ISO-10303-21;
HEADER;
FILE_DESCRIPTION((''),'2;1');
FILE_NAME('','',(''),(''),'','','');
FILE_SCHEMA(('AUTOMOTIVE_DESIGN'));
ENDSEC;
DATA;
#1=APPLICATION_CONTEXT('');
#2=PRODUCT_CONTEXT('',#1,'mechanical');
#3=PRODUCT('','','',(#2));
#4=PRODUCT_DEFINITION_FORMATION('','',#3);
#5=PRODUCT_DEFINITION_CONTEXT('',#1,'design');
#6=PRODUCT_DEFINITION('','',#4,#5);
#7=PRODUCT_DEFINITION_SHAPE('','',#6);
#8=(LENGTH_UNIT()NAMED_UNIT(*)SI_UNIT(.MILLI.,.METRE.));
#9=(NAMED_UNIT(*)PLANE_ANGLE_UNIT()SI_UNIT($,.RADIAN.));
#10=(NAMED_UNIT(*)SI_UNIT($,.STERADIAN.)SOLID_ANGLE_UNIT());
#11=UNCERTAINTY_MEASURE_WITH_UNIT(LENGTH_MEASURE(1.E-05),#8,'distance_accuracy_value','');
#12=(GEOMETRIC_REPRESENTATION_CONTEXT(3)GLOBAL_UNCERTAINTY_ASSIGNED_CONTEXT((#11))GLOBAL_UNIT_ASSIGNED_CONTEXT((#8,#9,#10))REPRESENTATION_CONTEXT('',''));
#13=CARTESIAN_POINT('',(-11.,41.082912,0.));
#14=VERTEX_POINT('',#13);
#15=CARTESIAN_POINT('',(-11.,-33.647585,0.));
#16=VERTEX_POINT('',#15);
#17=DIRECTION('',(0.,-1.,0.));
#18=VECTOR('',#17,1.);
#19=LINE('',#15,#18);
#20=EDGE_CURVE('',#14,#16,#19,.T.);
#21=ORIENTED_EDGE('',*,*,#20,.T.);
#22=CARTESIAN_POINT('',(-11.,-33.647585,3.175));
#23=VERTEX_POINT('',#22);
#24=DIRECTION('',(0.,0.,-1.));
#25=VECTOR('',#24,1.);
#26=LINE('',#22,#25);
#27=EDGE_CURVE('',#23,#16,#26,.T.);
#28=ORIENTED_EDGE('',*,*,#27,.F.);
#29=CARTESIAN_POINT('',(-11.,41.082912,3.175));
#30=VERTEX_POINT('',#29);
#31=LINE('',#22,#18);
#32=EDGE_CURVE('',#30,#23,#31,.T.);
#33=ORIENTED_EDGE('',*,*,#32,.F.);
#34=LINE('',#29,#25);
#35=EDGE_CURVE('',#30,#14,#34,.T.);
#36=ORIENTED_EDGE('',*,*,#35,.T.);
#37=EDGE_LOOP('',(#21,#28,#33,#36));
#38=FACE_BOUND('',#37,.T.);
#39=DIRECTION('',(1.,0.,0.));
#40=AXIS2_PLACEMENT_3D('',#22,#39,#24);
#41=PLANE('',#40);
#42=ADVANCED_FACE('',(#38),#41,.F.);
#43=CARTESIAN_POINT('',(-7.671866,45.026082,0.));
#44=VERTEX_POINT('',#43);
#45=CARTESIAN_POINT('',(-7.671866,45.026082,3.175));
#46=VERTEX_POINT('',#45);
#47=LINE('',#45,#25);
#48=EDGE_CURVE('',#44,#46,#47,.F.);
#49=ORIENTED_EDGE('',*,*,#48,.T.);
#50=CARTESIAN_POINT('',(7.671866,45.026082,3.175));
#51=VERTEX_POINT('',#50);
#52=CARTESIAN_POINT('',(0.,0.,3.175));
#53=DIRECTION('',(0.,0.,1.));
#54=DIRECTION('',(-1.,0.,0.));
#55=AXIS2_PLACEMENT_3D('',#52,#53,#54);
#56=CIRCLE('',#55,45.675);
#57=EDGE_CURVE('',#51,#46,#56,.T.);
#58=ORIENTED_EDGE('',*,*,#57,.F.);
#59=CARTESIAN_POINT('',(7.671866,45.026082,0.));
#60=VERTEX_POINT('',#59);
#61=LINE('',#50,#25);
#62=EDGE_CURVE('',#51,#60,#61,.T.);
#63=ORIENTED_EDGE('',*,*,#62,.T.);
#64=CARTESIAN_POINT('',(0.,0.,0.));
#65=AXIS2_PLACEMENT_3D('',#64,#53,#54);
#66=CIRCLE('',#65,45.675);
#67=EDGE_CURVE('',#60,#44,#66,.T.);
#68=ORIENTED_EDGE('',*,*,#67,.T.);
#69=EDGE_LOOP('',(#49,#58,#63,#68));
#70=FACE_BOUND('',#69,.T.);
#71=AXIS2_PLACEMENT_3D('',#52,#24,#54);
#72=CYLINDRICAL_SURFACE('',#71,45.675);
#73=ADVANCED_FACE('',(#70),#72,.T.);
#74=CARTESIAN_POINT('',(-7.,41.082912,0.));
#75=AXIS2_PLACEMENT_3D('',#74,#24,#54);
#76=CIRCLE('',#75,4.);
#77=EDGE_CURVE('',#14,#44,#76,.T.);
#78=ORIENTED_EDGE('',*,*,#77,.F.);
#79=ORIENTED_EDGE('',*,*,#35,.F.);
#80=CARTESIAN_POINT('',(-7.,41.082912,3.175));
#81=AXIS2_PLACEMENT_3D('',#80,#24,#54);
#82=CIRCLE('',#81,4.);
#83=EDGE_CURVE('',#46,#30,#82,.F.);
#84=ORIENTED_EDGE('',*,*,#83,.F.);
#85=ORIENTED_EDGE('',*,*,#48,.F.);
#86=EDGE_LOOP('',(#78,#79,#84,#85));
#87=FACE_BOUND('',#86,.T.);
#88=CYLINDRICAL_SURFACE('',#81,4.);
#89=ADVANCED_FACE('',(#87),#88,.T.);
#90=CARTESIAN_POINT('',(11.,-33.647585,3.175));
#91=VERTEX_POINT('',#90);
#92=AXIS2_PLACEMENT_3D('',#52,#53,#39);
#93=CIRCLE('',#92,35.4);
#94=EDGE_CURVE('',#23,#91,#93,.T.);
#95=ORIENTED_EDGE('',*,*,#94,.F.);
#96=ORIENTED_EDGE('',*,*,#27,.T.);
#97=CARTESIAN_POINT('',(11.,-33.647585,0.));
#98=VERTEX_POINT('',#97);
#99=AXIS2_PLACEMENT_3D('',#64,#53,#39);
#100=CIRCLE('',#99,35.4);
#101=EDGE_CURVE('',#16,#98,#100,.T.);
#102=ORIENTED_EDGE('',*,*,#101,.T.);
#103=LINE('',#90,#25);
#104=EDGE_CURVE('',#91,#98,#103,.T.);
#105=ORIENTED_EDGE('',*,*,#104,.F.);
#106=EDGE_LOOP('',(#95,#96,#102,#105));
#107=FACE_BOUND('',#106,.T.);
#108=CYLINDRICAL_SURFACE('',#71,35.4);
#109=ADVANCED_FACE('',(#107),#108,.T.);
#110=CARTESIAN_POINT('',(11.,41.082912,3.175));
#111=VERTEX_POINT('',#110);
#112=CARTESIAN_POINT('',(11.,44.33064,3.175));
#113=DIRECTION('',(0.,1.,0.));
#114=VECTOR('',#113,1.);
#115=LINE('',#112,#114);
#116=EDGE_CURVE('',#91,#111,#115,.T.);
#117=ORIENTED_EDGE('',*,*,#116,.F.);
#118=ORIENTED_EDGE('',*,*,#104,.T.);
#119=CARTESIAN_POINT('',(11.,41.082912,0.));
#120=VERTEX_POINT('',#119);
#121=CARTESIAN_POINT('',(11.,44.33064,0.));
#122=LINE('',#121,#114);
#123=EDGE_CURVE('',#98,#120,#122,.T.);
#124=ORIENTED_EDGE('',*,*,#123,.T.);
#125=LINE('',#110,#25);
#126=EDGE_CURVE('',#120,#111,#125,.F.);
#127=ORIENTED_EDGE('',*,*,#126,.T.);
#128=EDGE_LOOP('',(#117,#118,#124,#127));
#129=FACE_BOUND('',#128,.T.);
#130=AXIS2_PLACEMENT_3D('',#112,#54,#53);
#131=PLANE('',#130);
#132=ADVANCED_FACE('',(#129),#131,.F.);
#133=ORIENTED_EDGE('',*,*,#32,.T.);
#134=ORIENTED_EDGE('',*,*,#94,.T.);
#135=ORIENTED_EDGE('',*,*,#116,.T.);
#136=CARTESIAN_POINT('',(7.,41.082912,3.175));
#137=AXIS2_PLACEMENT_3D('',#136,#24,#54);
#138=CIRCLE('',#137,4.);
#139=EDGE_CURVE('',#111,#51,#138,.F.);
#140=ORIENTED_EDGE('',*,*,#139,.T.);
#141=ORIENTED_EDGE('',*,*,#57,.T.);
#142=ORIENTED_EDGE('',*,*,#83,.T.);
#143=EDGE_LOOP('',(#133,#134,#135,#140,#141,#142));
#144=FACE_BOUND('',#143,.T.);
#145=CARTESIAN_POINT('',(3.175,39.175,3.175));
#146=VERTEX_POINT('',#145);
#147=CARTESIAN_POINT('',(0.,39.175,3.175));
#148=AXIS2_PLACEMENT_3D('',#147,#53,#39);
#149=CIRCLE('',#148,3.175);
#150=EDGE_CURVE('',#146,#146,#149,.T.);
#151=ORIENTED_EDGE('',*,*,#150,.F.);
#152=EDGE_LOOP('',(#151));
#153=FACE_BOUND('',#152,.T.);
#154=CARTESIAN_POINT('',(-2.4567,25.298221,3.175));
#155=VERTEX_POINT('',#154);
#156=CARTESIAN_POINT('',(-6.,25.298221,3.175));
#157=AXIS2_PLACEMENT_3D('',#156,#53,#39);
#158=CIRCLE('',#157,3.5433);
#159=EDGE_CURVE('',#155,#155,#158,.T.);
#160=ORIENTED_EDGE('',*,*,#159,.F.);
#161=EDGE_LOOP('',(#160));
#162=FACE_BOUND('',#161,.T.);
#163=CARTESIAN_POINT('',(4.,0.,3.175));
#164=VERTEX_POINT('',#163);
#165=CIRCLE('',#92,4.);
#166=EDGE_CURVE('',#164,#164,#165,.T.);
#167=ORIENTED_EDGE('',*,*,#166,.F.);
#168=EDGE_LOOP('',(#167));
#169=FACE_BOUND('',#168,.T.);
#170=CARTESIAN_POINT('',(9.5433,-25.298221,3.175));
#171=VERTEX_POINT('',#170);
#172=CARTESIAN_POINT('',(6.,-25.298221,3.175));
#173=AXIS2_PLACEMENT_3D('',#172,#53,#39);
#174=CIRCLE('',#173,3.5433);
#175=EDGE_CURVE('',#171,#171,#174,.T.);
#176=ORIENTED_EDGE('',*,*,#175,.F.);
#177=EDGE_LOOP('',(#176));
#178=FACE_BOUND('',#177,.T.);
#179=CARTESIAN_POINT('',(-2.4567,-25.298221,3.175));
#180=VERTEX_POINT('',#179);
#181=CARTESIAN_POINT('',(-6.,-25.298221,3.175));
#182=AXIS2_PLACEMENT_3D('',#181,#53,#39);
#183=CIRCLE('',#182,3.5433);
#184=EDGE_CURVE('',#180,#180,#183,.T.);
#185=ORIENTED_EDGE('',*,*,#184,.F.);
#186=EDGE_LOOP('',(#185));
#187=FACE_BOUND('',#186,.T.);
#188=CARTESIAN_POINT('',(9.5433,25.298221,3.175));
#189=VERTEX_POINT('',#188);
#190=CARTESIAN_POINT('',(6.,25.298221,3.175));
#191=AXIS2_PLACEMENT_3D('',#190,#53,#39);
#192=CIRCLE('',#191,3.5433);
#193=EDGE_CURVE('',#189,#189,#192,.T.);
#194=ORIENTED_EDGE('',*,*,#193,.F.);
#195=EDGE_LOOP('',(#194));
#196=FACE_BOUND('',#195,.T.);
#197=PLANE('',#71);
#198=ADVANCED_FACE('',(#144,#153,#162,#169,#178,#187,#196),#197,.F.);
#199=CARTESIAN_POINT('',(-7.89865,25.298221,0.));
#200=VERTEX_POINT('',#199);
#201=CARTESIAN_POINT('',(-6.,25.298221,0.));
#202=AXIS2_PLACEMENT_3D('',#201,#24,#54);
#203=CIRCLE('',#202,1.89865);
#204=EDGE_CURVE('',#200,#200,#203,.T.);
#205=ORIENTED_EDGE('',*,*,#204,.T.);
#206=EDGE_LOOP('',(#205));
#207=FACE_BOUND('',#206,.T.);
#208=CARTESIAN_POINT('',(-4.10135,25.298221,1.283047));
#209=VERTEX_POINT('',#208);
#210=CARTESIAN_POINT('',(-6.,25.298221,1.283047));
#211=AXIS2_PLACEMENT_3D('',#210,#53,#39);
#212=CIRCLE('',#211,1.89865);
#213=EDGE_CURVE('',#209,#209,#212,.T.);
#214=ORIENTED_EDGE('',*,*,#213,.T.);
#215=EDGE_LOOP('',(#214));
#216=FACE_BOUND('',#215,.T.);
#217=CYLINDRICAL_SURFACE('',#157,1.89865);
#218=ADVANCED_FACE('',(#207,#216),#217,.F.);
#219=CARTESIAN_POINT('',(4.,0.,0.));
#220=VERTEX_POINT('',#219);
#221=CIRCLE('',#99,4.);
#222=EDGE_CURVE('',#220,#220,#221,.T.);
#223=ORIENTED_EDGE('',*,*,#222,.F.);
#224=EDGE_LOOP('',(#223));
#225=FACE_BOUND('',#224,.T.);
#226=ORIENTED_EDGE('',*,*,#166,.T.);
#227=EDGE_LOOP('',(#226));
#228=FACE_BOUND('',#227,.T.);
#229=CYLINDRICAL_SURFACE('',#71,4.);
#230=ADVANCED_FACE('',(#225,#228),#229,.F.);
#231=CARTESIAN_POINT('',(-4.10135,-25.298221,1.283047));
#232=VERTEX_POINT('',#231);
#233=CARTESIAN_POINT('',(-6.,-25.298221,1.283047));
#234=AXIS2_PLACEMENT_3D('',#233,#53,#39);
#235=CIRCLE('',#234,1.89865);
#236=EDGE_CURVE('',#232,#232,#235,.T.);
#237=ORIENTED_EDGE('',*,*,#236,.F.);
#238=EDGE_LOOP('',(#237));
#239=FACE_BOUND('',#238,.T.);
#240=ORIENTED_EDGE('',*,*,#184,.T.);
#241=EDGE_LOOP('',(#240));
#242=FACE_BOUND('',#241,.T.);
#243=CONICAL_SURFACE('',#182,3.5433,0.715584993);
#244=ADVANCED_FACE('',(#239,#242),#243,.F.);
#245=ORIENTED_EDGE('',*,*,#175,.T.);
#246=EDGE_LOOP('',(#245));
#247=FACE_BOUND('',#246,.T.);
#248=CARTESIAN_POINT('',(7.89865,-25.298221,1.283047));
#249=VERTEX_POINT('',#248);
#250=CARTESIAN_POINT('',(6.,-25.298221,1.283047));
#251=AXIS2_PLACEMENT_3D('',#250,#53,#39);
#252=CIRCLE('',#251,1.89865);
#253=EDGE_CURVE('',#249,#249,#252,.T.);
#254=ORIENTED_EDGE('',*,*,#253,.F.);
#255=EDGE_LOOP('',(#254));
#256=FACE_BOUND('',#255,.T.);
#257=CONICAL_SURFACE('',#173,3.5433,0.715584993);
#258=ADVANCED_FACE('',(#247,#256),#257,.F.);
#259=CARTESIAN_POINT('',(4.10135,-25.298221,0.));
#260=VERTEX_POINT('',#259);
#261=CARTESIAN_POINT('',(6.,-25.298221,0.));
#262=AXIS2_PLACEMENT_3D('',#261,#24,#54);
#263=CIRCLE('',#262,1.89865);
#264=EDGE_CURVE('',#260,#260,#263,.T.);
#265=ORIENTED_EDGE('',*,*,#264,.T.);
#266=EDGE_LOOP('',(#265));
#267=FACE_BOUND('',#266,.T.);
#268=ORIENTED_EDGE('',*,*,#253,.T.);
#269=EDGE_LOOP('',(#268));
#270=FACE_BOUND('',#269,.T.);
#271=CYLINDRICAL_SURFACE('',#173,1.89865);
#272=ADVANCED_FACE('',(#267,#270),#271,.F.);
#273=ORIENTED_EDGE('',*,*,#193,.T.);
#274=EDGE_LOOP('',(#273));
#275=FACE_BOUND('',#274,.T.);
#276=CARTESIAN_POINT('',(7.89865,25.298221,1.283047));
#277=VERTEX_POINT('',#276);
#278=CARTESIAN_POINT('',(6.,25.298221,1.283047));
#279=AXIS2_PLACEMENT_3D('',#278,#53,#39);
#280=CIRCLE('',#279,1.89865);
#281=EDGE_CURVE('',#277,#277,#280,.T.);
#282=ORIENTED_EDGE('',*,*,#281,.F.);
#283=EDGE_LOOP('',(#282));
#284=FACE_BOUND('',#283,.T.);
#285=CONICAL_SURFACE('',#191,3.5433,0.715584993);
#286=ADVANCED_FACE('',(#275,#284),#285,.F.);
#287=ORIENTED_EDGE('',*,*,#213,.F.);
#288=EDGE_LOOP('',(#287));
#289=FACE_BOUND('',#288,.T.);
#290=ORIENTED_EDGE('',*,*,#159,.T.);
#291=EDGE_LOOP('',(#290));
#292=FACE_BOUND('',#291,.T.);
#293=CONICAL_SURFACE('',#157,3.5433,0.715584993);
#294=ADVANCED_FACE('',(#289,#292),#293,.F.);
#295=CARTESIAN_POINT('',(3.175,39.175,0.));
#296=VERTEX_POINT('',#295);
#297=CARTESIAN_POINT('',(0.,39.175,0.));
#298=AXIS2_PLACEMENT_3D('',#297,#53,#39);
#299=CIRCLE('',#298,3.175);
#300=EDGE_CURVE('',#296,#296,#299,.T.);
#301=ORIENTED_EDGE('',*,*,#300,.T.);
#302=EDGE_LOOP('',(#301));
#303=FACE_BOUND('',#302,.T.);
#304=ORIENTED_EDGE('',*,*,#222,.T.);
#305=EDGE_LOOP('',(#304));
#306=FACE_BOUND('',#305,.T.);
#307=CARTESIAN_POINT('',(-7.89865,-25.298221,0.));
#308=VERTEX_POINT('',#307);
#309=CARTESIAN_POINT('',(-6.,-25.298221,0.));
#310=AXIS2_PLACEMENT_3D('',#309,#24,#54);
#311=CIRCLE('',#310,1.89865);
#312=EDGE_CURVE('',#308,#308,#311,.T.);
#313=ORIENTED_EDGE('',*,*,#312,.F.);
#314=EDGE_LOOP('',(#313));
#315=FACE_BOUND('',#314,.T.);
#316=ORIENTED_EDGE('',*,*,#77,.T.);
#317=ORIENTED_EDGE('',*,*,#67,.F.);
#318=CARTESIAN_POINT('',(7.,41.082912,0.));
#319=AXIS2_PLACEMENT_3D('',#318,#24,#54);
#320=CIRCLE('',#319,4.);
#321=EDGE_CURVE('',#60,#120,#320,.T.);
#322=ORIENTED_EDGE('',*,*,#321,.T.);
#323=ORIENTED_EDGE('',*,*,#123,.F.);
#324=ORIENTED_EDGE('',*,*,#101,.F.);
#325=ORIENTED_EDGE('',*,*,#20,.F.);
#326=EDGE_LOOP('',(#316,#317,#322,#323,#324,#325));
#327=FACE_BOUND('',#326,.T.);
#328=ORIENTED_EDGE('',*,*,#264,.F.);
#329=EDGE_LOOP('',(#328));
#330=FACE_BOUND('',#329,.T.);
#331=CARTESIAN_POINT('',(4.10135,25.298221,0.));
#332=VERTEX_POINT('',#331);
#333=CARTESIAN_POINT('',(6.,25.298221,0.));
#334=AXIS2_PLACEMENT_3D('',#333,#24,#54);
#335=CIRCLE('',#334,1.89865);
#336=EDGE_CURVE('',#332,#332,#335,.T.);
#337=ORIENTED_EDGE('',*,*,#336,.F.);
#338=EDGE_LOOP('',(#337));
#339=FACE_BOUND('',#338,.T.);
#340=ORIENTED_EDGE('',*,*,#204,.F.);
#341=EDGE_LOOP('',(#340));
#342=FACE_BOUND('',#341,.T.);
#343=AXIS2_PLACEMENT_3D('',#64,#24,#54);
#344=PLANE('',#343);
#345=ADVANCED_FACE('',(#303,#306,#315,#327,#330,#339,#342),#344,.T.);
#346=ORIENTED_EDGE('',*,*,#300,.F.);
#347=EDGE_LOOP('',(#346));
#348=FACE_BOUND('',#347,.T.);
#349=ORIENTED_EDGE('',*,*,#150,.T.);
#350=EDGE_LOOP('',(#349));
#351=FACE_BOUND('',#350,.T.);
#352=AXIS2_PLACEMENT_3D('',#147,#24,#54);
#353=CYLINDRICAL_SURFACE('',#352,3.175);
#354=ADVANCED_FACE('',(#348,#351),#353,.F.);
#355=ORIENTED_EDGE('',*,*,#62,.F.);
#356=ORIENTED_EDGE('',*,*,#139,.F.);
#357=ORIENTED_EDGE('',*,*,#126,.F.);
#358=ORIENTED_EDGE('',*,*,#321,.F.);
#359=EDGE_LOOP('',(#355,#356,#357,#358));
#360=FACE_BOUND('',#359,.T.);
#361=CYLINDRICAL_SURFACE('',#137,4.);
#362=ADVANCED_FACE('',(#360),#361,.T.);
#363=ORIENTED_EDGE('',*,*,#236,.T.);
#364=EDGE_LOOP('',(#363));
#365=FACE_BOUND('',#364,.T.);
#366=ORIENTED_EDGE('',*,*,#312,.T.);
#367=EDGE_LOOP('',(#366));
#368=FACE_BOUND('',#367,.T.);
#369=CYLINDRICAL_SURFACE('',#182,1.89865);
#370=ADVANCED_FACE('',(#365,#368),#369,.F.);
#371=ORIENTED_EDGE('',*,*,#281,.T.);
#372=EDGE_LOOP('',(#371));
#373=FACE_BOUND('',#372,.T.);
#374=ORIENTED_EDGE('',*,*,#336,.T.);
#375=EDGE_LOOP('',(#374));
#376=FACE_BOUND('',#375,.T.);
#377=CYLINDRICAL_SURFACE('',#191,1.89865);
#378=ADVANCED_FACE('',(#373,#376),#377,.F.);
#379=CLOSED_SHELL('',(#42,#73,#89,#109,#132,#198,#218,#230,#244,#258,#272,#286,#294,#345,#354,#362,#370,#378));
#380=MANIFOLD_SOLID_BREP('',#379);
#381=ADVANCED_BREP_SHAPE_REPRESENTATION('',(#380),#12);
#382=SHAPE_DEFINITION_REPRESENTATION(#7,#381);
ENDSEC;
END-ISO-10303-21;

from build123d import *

# Parameters (mm, degrees)
SKETCH1_R                                      = 4
SKETCH1_R_2                                    = 3.175
BOSS_EXTRUDE1_DEPTH                            = 3.175
CSK_FOR_6_FLAT_HEAD_MACHINE_SCREW1_D           = 3.7973
CSK_FOR_6_FLAT_HEAD_MACHINE_SCREW1_DEPTH       = 10.973
CSK_FOR_6_FLAT_HEAD_MACHINE_SCREW1_CSINK_D     = 7.0866
CSK_FOR_6_FLAT_HEAD_MACHINE_SCREW1_CSINK_ANGLE = 82
CSK_FOR_6_FLAT_HEAD_MACHINE_SCREW1_TIP         = 1.140824014
FILLET1_R                                      = 4


with BuildPart() as part:
    # Sketch1 → Boss-Extrude1 (new body)
    with BuildSketch(Plane.XY):
        with BuildLine():
            Line((11, 44.330639799), (11, -33.647585352))
            ThreePointArc((11, -33.647585352), (0, -35.4), (-11, -33.647585352))
            Line((-11, -33.647585352), (-11, 44.330639799))
            ThreePointArc((-11, 44.330639799), (0, 45.675), (11, 44.330639799))
        make_face()
        Circle(SKETCH1_R, mode=Mode.SUBTRACT)
        with Locations((0, 39.175)):
            Circle(SKETCH1_R_2, mode=Mode.SUBTRACT)
    extrude(amount=BOSS_EXTRUDE1_DEPTH)

    # CSK for #6 Flat Head Machine Screw1
    with Locations(Plane.XY.offset(3.175)):
        with Locations((-6, 25.298221281), (-6, -25.298221281), (6, 25.298221281), (6, -25.298221281)):
            CounterSinkHole(CSK_FOR_6_FLAT_HEAD_MACHINE_SCREW1_D / 2, CSK_FOR_6_FLAT_HEAD_MACHINE_SCREW1_CSINK_D / 2, depth=CSK_FOR_6_FLAT_HEAD_MACHINE_SCREW1_DEPTH, counter_sink_angle=CSK_FOR_6_FLAT_HEAD_MACHINE_SCREW1_CSINK_ANGLE)
            with Locations((0, 0, -(CSK_FOR_6_FLAT_HEAD_MACHINE_SCREW1_DEPTH + CSK_FOR_6_FLAT_HEAD_MACHINE_SCREW1_TIP / 2))):  # 118° drill point
                Cone(0, CSK_FOR_6_FLAT_HEAD_MACHINE_SCREW1_D / 2, CSK_FOR_6_FLAT_HEAD_MACHINE_SCREW1_TIP, mode=Mode.SUBTRACT)

    # Fillet1
    fillet1_edges = [part.edges().sort_by_distance(p)[0] for p in [
        (11, 44.330639799, 1.5875),
        (-11, 44.330639799, 1.5875),
    ]]
    fillet(fillet1_edges, radius=FILLET1_R)


solid = part.part
